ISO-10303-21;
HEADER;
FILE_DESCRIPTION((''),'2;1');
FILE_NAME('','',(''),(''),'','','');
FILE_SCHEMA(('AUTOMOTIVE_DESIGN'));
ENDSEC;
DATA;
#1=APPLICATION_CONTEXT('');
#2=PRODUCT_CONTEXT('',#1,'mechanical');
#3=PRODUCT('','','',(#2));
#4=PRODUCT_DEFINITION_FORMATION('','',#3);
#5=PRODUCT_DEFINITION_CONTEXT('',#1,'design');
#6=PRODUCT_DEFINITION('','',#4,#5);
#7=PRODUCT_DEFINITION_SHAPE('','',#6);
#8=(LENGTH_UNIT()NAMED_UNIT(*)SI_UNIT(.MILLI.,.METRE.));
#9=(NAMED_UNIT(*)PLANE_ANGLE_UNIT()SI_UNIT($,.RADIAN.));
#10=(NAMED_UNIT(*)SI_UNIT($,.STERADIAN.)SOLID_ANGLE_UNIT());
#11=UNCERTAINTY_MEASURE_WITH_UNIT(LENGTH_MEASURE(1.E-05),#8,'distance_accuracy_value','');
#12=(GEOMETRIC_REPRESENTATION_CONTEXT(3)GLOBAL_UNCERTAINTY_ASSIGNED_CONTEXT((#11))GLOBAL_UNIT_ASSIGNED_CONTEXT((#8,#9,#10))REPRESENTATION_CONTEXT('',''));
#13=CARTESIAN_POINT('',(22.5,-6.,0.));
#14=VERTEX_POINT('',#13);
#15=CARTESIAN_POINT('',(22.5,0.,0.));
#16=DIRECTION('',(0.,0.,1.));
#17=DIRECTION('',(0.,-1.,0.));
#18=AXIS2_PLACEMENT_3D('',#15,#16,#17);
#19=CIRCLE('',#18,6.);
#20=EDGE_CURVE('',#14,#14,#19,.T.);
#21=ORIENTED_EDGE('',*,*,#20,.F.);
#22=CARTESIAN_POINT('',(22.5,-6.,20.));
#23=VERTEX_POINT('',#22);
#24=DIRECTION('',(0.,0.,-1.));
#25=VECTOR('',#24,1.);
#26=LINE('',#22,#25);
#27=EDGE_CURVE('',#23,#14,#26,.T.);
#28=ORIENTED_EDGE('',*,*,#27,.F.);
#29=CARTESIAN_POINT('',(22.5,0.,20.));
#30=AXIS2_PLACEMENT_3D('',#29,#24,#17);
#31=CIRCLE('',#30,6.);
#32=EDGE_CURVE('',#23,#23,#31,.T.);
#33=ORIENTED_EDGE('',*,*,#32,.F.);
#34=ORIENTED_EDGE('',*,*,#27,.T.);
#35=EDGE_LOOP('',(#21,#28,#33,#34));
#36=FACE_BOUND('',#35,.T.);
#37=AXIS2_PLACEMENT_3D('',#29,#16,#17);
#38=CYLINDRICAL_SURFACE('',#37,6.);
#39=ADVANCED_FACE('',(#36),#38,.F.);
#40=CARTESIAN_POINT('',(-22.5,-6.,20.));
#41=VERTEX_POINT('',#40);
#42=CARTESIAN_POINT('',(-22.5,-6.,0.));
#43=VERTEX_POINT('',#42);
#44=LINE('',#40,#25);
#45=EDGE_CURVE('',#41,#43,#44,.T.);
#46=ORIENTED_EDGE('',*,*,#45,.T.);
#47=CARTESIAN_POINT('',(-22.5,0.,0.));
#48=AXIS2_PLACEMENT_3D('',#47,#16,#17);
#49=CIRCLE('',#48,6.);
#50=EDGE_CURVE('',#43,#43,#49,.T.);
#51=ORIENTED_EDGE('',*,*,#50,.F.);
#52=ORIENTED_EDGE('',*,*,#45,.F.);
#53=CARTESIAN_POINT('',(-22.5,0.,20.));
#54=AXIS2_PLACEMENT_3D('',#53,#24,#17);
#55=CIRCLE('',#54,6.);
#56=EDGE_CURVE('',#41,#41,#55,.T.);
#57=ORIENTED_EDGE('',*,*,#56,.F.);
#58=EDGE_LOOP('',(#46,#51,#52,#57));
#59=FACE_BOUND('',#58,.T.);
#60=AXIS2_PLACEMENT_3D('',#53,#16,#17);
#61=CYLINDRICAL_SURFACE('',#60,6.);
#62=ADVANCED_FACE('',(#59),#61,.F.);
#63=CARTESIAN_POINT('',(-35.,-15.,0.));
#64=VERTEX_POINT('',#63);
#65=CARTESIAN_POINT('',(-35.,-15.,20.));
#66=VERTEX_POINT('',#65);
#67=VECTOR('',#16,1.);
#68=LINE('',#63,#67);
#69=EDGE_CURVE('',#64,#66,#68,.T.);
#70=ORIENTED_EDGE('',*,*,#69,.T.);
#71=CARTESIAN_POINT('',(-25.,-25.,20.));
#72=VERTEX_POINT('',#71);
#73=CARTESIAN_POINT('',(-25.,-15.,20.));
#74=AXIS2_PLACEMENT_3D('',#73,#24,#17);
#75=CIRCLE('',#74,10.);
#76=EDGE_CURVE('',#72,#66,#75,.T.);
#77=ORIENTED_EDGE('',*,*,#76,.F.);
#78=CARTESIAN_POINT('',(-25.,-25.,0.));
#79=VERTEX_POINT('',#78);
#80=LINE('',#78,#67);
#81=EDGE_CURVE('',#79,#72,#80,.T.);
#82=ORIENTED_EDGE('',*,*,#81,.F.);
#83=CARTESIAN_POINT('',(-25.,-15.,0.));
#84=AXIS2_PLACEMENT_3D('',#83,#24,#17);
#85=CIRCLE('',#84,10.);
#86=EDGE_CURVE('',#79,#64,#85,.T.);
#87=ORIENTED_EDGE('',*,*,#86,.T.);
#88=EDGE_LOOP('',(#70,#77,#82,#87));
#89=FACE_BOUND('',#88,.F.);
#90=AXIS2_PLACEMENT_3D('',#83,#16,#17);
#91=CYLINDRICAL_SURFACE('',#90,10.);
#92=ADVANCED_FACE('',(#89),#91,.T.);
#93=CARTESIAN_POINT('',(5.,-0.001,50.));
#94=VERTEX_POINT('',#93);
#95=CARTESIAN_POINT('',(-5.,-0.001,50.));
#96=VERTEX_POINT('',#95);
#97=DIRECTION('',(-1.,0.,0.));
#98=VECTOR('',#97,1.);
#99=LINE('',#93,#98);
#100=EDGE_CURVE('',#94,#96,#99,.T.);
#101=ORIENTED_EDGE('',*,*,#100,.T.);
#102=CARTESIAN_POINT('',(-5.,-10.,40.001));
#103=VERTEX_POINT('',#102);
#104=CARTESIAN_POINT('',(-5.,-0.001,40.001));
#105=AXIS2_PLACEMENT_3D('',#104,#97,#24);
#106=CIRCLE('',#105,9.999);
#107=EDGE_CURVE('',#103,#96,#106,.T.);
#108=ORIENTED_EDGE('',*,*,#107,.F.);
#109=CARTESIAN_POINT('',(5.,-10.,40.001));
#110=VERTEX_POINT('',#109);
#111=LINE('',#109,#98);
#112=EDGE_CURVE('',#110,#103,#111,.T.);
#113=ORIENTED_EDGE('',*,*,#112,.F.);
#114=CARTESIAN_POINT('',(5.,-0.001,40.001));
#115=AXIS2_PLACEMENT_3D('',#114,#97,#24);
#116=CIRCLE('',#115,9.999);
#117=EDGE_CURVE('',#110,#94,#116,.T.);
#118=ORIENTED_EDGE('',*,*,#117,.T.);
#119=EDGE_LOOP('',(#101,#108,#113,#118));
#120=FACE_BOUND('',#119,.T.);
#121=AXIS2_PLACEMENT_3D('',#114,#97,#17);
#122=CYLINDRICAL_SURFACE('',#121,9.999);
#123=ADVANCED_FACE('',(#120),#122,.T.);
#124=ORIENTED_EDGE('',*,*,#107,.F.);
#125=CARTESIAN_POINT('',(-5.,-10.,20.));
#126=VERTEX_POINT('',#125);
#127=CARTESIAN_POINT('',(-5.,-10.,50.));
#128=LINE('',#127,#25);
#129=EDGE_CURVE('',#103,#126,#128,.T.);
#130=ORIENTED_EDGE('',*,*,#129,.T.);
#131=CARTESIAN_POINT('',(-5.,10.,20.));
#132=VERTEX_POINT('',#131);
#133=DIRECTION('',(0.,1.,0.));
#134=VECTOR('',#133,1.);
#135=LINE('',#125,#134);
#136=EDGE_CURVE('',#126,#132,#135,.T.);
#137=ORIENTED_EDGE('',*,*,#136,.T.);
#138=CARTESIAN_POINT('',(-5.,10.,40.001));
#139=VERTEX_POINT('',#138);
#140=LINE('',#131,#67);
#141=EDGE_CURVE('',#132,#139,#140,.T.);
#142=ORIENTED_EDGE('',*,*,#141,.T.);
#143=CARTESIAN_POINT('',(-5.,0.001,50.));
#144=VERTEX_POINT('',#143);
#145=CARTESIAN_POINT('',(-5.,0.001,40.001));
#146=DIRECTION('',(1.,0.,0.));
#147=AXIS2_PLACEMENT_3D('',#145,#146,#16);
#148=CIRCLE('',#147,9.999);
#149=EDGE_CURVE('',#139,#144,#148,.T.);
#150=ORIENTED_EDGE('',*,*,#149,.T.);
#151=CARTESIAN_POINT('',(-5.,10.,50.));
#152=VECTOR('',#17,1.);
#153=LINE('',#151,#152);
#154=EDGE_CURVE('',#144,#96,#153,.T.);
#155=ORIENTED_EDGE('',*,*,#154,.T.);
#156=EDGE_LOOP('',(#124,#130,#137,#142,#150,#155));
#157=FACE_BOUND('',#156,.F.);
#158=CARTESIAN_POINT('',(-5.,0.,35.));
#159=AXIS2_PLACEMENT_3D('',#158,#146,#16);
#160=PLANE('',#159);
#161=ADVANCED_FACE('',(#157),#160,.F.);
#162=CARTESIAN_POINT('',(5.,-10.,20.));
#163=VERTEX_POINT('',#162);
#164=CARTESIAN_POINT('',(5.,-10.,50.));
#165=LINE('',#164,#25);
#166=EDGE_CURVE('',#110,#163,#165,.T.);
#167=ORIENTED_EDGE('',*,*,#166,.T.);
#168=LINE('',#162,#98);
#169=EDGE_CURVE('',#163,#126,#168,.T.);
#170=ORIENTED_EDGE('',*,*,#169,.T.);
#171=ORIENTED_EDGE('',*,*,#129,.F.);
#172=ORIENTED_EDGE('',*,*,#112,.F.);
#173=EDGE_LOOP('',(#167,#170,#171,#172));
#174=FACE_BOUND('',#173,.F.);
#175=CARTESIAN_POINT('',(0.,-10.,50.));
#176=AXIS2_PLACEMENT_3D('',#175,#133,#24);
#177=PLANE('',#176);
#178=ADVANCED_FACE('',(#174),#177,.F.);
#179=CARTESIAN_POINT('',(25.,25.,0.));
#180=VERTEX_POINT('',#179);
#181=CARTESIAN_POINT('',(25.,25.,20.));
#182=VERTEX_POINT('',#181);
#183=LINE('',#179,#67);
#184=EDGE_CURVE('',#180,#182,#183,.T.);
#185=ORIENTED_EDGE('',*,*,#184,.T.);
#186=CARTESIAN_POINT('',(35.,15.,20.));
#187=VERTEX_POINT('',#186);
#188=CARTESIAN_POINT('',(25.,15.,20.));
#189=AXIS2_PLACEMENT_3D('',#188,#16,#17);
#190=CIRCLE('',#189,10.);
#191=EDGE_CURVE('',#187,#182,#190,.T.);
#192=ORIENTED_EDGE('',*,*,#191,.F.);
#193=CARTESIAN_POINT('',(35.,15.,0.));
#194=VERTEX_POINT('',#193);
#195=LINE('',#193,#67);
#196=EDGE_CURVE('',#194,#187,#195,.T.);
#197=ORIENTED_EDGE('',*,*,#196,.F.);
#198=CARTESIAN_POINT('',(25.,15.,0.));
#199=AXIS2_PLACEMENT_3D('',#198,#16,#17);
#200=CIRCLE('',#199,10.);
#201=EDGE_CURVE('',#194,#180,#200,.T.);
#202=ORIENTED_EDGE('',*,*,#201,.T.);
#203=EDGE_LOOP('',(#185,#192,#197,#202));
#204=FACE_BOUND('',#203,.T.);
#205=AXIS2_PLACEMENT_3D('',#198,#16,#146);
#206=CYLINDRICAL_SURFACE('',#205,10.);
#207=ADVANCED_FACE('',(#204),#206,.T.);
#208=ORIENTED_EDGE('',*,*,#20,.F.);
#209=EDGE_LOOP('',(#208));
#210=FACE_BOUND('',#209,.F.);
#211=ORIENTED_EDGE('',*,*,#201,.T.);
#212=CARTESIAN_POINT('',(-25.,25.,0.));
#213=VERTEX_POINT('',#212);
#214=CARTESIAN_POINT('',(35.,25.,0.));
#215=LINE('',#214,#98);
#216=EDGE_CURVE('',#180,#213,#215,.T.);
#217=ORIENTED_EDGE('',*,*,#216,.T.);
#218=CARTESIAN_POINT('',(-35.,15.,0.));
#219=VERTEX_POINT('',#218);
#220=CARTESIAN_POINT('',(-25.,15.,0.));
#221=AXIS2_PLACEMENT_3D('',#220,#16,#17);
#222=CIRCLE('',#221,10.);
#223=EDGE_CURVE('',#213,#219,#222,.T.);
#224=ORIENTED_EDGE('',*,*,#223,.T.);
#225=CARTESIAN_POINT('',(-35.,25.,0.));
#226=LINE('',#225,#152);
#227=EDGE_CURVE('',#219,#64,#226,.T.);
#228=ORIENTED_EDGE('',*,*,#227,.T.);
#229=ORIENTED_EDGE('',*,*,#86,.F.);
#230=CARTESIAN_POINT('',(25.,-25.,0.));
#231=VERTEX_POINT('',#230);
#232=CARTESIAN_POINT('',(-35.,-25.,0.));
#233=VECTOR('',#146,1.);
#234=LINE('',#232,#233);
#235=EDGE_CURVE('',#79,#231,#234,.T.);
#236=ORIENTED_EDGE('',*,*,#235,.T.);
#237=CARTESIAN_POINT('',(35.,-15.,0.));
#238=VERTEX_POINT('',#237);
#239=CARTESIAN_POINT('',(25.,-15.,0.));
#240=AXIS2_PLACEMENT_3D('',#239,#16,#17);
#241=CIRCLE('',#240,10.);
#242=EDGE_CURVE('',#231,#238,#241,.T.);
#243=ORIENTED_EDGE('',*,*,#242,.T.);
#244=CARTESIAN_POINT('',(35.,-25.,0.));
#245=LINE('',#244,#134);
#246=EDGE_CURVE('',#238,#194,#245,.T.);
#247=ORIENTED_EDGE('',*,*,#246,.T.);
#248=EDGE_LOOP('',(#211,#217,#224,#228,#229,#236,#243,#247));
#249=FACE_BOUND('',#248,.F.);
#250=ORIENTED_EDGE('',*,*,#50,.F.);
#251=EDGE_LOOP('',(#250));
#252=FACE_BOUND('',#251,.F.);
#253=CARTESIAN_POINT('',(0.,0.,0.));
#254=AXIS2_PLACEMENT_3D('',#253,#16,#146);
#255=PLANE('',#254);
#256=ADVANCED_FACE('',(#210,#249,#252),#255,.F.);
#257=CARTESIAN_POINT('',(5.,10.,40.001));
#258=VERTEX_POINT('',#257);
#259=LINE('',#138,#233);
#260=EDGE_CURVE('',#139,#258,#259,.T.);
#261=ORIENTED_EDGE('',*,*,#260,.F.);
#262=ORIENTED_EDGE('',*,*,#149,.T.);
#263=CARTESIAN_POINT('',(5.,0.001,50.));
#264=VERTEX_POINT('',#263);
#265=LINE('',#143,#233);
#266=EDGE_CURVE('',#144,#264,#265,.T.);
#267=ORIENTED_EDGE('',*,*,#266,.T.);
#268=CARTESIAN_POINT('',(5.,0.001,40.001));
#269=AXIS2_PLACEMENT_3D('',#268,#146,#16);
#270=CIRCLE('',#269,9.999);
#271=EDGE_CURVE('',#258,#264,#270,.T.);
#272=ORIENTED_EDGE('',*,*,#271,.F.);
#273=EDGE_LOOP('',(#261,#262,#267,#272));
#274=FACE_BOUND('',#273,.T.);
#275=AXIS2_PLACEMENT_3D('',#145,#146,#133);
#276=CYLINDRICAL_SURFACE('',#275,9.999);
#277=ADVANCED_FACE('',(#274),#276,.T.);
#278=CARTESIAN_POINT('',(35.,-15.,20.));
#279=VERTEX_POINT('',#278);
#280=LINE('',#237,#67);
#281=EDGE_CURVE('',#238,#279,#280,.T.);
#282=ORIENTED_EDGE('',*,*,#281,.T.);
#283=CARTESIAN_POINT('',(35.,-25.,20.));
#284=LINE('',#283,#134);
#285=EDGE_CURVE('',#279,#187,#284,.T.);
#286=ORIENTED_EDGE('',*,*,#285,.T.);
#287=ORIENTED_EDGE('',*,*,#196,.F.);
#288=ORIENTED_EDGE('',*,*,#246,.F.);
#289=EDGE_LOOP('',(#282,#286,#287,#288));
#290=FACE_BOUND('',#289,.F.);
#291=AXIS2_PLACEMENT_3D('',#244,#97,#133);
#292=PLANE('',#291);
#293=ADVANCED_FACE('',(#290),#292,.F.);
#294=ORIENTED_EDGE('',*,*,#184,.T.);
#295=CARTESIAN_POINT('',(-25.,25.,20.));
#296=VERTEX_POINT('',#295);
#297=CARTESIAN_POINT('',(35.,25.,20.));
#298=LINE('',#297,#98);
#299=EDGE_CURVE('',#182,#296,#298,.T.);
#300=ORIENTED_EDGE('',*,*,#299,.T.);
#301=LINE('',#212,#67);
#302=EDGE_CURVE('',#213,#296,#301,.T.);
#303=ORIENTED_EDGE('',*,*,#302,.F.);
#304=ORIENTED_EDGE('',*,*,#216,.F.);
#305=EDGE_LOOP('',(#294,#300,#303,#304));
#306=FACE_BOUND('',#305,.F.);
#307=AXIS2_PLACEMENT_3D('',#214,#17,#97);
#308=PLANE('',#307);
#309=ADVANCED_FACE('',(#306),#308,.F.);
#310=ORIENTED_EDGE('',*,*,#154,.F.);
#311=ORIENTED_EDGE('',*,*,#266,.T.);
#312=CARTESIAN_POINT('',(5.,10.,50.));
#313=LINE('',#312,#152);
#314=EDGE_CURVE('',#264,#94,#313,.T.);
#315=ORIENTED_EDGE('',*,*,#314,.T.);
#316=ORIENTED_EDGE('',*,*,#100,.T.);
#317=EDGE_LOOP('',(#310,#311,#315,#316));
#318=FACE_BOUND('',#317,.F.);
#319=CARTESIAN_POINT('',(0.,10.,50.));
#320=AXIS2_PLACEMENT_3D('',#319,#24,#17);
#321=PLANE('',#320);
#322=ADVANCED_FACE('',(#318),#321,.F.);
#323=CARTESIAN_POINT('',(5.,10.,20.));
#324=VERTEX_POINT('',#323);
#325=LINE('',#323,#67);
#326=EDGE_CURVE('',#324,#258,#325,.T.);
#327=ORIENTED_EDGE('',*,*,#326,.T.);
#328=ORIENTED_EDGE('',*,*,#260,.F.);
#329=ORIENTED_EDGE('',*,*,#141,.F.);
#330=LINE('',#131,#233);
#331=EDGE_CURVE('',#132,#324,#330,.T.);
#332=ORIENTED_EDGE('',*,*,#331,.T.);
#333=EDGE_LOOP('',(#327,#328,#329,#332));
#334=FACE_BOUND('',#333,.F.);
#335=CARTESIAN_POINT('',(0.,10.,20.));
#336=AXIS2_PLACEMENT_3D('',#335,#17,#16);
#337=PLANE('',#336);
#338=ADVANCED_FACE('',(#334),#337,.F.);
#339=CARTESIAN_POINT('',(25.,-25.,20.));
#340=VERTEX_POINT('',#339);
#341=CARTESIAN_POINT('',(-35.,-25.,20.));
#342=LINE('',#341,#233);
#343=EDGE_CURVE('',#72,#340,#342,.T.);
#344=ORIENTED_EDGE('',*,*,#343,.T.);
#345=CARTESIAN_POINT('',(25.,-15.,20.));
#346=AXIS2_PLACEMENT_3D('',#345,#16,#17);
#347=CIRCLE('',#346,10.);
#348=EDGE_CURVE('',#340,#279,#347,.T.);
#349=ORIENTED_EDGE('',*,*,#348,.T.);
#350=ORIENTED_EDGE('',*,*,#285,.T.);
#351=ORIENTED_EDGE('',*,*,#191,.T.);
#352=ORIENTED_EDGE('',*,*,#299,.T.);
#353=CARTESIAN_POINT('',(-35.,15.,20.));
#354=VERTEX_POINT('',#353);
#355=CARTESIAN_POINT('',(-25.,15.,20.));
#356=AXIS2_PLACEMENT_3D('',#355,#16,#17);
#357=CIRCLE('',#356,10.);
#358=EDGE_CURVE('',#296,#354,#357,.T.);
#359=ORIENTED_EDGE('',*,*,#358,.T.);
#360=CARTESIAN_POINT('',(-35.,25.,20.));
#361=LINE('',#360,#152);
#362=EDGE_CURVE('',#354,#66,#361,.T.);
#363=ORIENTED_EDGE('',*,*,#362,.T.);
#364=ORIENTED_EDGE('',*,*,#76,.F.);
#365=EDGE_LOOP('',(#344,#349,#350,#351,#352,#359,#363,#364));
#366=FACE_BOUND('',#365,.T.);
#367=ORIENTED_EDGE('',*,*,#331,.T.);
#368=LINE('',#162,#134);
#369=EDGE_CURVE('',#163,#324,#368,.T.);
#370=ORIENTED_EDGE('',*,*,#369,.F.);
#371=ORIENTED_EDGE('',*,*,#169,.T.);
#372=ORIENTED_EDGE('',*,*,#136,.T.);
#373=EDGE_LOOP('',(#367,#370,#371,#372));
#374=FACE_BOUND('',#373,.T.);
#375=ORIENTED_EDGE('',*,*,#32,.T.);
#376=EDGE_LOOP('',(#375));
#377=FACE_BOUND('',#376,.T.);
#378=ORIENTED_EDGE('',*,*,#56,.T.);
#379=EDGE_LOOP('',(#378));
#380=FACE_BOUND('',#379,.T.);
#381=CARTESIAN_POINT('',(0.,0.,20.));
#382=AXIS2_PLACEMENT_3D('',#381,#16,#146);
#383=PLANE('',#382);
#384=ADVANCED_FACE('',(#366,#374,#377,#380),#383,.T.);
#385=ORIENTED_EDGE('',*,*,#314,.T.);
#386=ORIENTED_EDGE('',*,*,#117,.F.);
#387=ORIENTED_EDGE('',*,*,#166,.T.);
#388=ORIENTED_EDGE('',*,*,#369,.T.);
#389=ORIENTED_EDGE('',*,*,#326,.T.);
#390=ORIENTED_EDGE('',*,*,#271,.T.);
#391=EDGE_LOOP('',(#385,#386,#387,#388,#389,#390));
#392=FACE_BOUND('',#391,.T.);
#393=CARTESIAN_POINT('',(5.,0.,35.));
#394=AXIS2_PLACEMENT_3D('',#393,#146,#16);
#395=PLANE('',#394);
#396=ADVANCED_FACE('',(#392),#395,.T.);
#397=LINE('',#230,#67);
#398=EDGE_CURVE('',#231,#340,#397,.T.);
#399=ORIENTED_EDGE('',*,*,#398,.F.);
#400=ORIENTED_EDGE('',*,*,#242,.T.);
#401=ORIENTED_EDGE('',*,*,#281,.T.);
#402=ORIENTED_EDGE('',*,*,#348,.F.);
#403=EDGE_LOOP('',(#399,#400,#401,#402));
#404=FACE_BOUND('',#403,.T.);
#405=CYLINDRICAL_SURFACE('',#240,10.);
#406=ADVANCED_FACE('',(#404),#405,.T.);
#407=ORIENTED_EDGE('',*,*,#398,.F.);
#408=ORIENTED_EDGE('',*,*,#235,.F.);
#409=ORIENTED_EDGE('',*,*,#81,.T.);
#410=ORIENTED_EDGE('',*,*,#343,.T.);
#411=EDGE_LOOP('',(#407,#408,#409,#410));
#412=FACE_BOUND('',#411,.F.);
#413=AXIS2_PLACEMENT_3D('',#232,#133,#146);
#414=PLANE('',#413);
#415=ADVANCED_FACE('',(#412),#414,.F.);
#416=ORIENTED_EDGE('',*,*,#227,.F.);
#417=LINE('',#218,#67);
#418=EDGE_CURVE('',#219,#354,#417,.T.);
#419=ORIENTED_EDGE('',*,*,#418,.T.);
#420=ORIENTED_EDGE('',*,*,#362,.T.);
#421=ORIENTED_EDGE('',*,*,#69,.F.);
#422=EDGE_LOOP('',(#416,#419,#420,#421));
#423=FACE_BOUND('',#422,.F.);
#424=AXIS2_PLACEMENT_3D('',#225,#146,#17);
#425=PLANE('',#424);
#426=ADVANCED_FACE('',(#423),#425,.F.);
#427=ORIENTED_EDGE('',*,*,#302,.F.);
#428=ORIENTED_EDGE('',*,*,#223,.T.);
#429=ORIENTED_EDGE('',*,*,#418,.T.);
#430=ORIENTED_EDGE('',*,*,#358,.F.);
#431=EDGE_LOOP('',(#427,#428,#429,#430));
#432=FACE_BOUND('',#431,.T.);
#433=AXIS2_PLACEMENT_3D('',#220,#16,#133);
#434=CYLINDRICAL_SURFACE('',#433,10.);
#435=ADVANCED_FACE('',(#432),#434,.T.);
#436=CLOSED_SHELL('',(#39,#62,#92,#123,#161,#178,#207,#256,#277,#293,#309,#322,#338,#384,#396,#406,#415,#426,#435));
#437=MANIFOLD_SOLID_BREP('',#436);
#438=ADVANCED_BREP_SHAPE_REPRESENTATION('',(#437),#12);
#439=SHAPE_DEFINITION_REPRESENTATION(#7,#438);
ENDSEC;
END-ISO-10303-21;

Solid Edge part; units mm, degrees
sketch "Sketch1" plane through (0, 0, 0) normal (0, 0, 1) x (1, 0, 0)
  line L0 (-35, -25) -> (35, -25)
  line L1 (35, -25) -> (35, 25)
  line L2 (35, 25) -> (-35, 25)
  line L3 (-35, 25) -> (-35, -25)
  dimension "D1" = 70
  dimension "D2" = 50
extrude "Protrusion1" add sketch "Sketch1" along normal blind 20
fillet "Round1" radius 10 4 edges at (-35, -25, 10) (-35, 25, 10) (35, -25, 10) (35, 25, 10)
hole "Hole1" at (-22.5, 0, 20) direction (0, 0, -1) diameter 12 end up to next
hole "Hole2" at (22.5, 0, 20) direction (0, 0, -1) diameter 12 end up to next
sketch "Sketch2" plane through (0, 0, 0) normal (1, 0, 0) x (0, 1, 0)
  line L0 (-10, 20) -> (10, 20)
  line L1 (10, 20) -> (10, 50)
  line L2 (10, 50) -> (-10, 50)
  line L3 (-10, 50) -> (-10, 20)
  dimension "D1" = 20
  dimension "D2" = 30
extrude "Protrusion2" add sketch "Sketch2" along normal mid plane 10
fillet "Round2" radius 10 2 edges at (0, -10, 50) (0, 10, 50)
properties material "알루미늄, 1060"
